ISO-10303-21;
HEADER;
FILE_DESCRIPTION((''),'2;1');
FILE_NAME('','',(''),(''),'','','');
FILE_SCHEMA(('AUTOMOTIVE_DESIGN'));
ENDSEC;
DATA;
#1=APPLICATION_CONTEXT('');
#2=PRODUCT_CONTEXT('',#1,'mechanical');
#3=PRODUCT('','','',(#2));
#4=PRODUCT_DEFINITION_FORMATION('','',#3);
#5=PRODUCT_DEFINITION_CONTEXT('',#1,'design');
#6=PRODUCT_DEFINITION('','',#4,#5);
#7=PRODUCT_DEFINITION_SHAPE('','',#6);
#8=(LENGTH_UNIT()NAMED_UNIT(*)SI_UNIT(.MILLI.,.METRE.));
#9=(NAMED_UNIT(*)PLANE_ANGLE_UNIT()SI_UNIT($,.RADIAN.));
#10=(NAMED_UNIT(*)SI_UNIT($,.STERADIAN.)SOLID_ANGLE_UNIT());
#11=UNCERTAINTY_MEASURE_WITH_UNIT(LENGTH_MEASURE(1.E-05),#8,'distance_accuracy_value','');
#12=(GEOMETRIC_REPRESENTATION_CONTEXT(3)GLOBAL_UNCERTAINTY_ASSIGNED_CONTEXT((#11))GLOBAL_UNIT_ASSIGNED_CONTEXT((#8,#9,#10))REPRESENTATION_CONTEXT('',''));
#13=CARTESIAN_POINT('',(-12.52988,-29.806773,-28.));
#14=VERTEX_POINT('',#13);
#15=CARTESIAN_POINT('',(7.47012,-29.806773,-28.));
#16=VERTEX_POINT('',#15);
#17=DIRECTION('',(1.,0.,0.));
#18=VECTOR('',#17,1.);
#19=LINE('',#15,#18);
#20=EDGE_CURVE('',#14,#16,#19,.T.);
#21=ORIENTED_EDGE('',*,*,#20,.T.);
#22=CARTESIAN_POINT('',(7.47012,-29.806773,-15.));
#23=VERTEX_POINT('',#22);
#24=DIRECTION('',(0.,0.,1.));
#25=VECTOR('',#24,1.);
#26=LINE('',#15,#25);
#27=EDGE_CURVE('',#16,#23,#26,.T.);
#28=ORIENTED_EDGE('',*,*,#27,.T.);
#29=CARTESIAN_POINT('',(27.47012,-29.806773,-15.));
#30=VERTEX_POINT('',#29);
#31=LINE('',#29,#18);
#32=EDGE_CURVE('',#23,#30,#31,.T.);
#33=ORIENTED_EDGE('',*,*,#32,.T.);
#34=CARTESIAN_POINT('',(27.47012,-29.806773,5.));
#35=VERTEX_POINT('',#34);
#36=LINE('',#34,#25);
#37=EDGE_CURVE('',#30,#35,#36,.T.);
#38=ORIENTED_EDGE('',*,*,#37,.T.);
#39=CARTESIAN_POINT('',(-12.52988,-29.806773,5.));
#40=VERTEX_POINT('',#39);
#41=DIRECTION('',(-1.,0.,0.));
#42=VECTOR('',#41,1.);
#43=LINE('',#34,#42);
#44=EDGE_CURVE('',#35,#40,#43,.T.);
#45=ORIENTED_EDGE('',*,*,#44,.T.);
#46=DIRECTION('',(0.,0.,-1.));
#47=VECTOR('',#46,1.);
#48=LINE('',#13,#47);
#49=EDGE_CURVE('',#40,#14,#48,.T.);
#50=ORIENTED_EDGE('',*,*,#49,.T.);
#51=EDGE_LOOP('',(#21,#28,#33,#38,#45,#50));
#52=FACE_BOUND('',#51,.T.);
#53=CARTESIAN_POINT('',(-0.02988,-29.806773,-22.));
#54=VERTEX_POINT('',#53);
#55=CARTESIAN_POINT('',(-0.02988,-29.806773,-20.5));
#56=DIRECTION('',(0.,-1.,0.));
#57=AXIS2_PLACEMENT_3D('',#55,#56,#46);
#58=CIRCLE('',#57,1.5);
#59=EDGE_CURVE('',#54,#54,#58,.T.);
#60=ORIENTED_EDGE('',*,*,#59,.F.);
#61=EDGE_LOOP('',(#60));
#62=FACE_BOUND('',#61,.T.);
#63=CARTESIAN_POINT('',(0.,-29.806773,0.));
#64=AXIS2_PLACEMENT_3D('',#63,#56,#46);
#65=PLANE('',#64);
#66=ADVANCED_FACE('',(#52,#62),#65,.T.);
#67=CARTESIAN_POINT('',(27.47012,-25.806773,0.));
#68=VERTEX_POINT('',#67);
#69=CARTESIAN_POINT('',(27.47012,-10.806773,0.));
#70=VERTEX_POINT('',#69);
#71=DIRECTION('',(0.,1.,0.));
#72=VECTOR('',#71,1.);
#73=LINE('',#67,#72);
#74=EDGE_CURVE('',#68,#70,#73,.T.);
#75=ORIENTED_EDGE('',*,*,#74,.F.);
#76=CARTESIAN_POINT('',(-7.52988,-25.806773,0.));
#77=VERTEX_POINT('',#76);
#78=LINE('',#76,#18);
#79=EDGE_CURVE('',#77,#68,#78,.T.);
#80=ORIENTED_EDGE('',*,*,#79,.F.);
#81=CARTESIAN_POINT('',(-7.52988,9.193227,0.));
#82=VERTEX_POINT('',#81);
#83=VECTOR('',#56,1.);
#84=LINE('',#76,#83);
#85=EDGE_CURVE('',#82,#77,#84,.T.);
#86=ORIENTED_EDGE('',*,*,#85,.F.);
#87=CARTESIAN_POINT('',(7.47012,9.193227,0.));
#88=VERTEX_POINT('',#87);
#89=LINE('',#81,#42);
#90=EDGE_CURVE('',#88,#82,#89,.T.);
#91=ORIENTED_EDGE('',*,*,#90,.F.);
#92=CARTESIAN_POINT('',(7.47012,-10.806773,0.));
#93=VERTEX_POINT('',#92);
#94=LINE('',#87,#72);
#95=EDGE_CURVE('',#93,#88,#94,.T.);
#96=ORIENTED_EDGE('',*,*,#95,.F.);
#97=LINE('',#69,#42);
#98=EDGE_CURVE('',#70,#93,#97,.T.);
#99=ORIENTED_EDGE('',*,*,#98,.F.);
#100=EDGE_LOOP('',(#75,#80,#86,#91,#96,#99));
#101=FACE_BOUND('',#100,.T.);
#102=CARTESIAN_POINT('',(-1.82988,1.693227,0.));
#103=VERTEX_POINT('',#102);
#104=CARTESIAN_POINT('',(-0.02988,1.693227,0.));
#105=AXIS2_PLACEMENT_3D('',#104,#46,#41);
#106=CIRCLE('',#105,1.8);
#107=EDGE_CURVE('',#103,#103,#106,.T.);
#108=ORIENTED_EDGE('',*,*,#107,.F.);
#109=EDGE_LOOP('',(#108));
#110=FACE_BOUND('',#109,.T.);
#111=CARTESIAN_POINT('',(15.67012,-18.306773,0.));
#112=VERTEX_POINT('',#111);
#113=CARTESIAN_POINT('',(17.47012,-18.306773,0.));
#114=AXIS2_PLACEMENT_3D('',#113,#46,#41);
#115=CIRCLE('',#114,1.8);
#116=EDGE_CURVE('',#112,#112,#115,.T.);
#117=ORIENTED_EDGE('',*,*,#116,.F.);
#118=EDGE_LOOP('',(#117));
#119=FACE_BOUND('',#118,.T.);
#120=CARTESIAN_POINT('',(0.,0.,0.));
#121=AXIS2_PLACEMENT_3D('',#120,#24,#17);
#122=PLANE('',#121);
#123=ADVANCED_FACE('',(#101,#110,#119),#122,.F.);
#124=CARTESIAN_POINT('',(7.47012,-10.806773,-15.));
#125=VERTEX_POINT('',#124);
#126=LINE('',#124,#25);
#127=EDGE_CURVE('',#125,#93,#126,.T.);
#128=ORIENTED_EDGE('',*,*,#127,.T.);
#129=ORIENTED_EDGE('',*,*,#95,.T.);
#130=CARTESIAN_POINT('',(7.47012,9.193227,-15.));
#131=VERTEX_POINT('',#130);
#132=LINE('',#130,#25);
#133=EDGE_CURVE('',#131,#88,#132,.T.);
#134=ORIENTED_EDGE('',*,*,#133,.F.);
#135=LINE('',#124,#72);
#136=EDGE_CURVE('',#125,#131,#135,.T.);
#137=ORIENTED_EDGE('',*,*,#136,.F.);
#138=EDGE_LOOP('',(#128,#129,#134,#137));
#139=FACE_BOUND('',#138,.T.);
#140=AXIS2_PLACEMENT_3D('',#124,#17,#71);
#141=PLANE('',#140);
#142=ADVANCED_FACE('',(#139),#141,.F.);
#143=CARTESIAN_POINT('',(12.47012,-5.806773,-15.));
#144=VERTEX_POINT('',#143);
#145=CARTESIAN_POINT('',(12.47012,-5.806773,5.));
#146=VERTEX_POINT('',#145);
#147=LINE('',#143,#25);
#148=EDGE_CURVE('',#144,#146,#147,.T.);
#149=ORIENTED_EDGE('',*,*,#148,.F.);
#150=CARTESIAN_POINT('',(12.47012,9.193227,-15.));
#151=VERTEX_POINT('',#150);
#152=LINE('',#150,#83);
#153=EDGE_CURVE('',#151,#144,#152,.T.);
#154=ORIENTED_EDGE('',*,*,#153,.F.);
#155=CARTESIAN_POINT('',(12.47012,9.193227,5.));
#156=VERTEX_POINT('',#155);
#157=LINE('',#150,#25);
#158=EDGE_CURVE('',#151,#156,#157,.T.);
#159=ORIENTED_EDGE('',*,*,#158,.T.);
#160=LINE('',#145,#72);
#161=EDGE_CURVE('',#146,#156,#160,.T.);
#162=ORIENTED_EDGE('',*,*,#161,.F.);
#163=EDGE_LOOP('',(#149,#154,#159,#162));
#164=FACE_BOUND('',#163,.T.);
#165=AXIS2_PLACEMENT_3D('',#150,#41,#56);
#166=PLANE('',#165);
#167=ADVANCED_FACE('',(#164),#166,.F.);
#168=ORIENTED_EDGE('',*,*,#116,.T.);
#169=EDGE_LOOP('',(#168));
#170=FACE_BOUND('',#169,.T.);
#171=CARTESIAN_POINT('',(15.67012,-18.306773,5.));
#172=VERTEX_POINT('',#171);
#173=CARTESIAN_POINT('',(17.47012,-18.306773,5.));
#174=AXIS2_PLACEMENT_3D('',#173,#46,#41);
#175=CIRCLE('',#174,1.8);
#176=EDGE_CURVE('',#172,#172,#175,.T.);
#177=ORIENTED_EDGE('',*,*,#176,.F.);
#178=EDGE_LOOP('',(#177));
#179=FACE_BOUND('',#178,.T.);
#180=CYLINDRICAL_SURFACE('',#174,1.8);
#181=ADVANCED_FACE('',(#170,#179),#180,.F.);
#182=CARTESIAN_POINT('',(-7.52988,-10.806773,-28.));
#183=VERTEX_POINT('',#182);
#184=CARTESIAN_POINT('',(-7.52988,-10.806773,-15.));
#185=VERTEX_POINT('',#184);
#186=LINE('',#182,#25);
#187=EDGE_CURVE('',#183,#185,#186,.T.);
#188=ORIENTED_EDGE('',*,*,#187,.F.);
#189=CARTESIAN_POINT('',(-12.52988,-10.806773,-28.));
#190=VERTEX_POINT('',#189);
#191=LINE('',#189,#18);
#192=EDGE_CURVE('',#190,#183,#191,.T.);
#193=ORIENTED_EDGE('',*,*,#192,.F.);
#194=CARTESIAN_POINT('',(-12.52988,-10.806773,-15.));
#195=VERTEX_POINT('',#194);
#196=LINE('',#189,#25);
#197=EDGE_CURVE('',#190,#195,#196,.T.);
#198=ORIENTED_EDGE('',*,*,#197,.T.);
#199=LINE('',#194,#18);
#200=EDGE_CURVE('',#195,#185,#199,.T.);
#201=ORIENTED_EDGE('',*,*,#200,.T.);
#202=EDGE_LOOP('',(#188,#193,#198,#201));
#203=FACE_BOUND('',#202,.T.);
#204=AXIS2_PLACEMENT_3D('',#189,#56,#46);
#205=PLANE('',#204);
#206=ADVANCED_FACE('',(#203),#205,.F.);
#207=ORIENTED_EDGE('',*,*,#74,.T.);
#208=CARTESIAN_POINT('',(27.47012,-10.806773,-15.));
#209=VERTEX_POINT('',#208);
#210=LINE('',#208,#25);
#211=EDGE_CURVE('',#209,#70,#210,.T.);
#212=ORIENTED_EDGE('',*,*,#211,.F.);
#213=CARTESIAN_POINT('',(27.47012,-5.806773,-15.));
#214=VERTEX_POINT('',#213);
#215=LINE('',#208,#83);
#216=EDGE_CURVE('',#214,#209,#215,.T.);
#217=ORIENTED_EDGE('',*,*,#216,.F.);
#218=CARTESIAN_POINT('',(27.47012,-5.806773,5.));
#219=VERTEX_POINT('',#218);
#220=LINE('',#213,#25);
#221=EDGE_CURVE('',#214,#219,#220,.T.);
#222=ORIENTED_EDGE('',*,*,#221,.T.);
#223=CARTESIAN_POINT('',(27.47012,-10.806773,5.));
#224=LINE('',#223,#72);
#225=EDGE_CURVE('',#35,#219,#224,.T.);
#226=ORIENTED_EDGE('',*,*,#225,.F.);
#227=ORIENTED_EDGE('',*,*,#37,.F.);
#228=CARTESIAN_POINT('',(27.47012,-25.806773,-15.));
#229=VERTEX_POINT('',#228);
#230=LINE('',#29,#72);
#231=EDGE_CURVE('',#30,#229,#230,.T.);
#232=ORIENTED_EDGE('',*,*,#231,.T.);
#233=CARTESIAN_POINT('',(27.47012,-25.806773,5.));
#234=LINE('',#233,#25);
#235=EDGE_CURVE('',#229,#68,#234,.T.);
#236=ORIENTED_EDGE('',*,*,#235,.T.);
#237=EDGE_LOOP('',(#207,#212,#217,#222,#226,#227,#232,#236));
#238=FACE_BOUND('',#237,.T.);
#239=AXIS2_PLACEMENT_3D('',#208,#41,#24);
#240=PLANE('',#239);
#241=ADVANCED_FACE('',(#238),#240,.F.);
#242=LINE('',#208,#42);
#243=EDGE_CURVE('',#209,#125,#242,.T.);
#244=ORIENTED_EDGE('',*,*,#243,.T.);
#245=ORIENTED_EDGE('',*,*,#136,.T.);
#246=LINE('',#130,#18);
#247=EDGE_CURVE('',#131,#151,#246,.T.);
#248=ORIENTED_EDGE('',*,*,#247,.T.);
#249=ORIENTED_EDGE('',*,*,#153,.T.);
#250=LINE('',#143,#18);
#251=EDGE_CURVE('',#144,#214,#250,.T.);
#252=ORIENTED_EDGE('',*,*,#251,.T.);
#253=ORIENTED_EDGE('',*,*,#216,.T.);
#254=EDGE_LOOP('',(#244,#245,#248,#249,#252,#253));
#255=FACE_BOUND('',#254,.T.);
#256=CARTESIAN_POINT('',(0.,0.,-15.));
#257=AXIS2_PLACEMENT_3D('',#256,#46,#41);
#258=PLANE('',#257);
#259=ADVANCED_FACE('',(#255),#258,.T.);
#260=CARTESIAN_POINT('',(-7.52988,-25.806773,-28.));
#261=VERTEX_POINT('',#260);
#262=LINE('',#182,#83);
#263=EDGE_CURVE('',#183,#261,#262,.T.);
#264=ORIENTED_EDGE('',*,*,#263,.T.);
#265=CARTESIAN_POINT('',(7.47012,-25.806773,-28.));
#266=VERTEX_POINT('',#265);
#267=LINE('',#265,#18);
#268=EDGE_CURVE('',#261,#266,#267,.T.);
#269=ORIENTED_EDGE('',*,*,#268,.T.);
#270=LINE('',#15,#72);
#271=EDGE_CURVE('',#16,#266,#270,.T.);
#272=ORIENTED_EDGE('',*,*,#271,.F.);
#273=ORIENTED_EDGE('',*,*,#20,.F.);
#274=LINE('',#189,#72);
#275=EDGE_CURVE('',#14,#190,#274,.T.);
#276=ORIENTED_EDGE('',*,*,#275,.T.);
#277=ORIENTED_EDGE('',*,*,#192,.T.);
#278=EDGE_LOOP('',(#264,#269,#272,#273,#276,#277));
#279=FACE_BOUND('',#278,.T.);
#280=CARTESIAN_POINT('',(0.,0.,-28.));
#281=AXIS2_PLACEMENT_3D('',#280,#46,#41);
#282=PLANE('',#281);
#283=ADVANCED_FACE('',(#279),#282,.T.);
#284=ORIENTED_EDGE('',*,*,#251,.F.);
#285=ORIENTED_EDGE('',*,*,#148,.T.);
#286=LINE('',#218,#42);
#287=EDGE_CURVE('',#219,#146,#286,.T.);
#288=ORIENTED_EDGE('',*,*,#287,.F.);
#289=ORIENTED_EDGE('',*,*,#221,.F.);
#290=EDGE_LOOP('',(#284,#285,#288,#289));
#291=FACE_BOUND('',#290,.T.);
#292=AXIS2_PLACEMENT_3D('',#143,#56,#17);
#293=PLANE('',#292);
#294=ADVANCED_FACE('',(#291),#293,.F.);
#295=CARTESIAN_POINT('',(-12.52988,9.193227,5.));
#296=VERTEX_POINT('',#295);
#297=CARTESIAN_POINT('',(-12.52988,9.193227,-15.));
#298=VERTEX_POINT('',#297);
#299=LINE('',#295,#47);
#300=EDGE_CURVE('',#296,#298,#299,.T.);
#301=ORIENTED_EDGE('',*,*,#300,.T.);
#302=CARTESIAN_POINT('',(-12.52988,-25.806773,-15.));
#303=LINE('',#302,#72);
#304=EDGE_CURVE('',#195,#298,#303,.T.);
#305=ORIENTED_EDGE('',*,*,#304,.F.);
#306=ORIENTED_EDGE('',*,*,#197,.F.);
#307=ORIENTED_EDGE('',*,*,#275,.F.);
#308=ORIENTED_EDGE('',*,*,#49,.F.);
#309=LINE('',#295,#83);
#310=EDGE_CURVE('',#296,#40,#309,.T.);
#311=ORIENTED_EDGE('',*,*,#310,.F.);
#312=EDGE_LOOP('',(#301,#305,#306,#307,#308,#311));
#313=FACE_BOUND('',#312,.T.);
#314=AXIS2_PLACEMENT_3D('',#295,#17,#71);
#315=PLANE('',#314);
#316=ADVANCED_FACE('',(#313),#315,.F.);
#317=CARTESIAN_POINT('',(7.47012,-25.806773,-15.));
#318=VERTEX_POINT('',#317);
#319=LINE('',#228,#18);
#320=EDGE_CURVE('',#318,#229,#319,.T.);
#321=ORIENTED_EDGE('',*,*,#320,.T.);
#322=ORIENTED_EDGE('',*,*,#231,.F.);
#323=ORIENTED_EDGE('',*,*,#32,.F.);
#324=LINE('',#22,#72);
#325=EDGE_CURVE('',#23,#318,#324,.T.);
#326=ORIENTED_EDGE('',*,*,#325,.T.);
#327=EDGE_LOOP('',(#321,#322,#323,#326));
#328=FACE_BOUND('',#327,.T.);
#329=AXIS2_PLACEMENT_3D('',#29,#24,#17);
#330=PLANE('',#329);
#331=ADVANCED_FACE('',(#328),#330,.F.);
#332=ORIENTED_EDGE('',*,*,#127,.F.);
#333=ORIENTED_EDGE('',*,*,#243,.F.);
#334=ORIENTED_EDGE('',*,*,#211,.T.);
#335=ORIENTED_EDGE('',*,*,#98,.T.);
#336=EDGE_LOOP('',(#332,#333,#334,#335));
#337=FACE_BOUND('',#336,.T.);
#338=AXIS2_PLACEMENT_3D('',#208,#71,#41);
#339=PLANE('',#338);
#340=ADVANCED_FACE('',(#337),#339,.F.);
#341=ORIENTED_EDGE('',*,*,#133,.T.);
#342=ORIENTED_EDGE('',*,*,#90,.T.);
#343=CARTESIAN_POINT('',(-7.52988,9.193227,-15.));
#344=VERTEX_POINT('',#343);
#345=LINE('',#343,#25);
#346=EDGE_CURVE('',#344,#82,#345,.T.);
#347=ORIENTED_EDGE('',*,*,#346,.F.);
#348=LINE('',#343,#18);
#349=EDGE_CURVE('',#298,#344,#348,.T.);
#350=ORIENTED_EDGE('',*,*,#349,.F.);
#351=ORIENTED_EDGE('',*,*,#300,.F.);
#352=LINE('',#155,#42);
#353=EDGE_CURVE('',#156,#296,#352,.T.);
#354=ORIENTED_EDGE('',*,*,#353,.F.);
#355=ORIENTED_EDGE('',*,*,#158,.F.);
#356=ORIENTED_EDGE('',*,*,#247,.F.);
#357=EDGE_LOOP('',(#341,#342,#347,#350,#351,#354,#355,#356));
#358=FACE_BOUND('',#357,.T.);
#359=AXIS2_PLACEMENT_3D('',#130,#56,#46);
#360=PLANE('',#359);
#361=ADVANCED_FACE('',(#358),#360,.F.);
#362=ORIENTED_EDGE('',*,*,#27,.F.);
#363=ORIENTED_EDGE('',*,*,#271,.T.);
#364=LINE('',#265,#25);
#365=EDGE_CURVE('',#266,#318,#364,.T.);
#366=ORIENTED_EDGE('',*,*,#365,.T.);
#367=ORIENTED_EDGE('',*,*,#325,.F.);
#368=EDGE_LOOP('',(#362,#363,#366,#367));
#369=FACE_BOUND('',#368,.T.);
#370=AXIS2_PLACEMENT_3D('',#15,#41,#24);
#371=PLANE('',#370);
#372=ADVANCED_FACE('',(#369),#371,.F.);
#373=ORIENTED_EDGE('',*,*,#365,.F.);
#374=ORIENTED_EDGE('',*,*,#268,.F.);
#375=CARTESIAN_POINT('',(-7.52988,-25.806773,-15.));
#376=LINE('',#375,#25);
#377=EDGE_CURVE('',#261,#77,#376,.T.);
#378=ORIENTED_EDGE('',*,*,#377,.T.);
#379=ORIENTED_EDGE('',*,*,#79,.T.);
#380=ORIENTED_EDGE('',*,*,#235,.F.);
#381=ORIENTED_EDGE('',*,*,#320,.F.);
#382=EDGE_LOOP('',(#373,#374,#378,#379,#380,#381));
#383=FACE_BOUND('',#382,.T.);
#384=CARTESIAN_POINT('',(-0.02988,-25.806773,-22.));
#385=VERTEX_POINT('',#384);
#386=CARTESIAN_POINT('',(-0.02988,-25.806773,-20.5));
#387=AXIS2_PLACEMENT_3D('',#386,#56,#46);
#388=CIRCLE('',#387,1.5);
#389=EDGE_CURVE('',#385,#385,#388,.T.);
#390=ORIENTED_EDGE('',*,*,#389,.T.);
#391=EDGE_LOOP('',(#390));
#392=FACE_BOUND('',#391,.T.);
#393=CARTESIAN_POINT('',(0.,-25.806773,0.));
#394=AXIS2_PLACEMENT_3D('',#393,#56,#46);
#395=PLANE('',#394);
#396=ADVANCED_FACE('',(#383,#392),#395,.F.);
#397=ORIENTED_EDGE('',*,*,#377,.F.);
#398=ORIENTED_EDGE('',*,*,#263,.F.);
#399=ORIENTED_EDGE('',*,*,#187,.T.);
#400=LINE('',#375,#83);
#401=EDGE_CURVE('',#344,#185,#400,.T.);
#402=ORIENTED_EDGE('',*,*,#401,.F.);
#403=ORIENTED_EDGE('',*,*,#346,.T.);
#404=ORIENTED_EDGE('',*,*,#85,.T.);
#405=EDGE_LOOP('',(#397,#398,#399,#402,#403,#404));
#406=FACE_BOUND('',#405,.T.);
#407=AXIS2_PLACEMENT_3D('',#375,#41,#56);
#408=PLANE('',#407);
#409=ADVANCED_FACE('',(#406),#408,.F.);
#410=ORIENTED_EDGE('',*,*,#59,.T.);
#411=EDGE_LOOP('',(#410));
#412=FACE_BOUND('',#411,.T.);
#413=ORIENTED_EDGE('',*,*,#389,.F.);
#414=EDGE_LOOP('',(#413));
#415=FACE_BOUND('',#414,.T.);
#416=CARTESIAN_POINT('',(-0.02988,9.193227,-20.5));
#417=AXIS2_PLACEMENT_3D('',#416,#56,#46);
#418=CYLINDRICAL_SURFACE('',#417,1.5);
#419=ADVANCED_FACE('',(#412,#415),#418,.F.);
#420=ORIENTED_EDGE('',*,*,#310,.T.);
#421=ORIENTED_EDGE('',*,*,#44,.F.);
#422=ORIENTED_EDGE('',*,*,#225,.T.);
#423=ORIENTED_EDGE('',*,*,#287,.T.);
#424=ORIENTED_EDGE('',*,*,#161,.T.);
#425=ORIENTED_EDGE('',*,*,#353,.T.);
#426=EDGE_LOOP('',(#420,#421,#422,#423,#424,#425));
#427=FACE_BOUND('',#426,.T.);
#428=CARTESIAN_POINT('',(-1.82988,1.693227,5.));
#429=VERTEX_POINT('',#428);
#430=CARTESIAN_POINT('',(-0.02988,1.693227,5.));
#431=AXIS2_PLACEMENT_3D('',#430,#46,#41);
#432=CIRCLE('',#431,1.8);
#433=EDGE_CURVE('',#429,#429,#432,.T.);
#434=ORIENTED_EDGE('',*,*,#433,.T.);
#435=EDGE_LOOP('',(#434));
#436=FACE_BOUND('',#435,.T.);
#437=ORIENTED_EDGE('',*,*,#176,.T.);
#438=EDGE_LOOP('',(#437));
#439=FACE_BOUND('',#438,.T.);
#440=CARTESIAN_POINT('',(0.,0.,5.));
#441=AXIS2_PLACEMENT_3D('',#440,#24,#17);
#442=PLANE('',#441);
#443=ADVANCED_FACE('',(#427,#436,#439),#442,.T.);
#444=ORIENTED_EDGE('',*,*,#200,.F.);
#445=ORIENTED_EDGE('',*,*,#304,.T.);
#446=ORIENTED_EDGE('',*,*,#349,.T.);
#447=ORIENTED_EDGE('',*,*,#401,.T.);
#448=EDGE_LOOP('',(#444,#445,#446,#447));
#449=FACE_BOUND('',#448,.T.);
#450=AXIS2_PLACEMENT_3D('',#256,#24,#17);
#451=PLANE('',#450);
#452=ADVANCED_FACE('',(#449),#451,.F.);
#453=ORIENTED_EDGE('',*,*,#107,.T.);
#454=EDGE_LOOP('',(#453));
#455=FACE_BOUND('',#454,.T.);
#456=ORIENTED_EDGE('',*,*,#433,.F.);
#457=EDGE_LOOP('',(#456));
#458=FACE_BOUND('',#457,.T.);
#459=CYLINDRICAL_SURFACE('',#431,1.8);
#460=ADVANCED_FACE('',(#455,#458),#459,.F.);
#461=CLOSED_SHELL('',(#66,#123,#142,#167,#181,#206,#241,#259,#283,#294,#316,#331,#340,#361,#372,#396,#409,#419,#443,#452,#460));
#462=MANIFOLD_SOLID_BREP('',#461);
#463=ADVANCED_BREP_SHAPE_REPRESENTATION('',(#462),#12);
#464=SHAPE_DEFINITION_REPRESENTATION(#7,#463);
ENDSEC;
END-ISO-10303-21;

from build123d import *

# Parameters (mm, degrees)
BOSS_EXTRUDE1_DEPTH = 5
BOSS_EXTRUDE2_DEPTH = 15
SKETCH3_W           = 5
SKETCH3_H           = 35
BOSS_EXTRUDE3_DEPTH = 15
SKETCH4_W           = 5
SKETCH4_H           = 35
BOSS_EXTRUDE4_DEPTH = 5
BOSS_EXTRUDE5_DEPTH = 5
SKETCH7_R           = 1.8
CUT_EXTRUDE1_DEPTH  = 6
SKETCH9_W           = 5
SKETCH9_H           = 15
BOSS_EXTRUDE6_DEPTH = 13
BOSS_EXTRUDE7_DEPTH = 4
SKETCH13_R          = 1.5
CUT_EXTRUDE4_DEPTH  = 40


with BuildPart() as part:
    # Sketch1 → Boss-Extrude1 (new body)
    with BuildSketch(Plane.XY):
        Polygon((-7.529880478, -25.806772908), (27.470119522, -25.806772908), (27.470119522, -10.806772908), (7.470119522, -10.806772908), (7.470119522, 9.193227092), (-7.529880478, 9.193227092), align=None)
    extrude(amount=BOSS_EXTRUDE1_DEPTH)



with BuildPart() as body_2:
    # Sketch2 → Boss-Extrude2 (new body)
    with BuildSketch(Plane(origin=(0, 0, 0), x_dir=(-1, 0, 0), z_dir=(0, 0, -1))):
        Polygon((-7.470119522, 9.193227092), (-12.470119522, 9.193227092), (-12.470119522, -5.806772908), (-27.470119522, -5.806772908), (-27.470119522, -10.806772908), (-7.470119522, -10.806772908), align=None)
    extrude(amount=BOSS_EXTRUDE2_DEPTH)


with BuildPart() as body_3:
    # Sketch3 → Boss-Extrude3 (new body)
    with BuildSketch(Plane(origin=(0, 0, 0), x_dir=(-1, 0, 0), z_dir=(0, 0, -1))):
        with Locations((10.029880478, -8.306772908)):
            Rectangle(SKETCH3_W, SKETCH3_H)
    extrude(amount=BOSS_EXTRUDE3_DEPTH)


with BuildPart() as part_1:
    add(part.part)

    add(body_3.part)  # Boss-Extrude4 merges body 3
    # Sketch4 → Boss-Extrude4 (add)
    with BuildSketch(Plane.XY):
        with Locations((-10.029880478, -8.306772908)):
            Rectangle(SKETCH4_W, SKETCH4_H)
    extrude(amount=BOSS_EXTRUDE4_DEPTH)


    add(body_2.part)  # Boss-Extrude5 merges body 2
    # Sketch5 → Boss-Extrude5 (add)
    with BuildSketch(Plane.XY):
        Polygon((7.470119522, 9.193227092), (7.470119522, -10.806772908), (27.470119522, -10.806772908), (27.470119522, -5.806772908), (12.470119522, -5.806772908), (12.470119522, 9.193227092), align=None)
    extrude(amount=BOSS_EXTRUDE5_DEPTH)

    # Sketch7 → Cut-Extrude1 (cut, through all)
    with BuildSketch(Plane(origin=(0, 0, 0), x_dir=(-1, 0, 0), z_dir=(0, 0, -1))):
        with Locations((0.029880478, 1.693227092)):
            Circle(SKETCH7_R)
        with Locations((-17.470119522, -18.306772908)):
            Circle(SKETCH7_R)
    extrude(amount=-CUT_EXTRUDE1_DEPTH, mode=Mode.SUBTRACT)

    # Sketch9 → Boss-Extrude6 (add)
    with BuildSketch(Plane(origin=(0, 0, -15), x_dir=(-1, 0, 0), z_dir=(0, 0, -1))):
        with Locations((10.029880478, -18.306772908)):
            Rectangle(SKETCH9_W, SKETCH9_H)
    extrude(amount=BOSS_EXTRUDE6_DEPTH)

    # Sketch12 → Boss-Extrude7 (add)
    with BuildSketch(Plane.XZ.offset(25.806772908)):
        Polygon((7.470119522, -28), (-12.529880478, -28), (-12.529880478, 5), (7.470119522, 5), (27.470119522, 5), (27.470119522, -15), (7.470119522, -15), align=None)
    extrude(amount=BOSS_EXTRUDE7_DEPTH)

    # Sketch13 → Cut-Extrude4 (cut, through all)
    with BuildSketch(Plane.XZ.offset(29.806772908)):
        with Locations((-0.029880478, -20.5)):
            Circle(SKETCH13_R)
    extrude(amount=-CUT_EXTRUDE4_DEPTH, mode=Mode.SUBTRACT)


solid = part_1.part
